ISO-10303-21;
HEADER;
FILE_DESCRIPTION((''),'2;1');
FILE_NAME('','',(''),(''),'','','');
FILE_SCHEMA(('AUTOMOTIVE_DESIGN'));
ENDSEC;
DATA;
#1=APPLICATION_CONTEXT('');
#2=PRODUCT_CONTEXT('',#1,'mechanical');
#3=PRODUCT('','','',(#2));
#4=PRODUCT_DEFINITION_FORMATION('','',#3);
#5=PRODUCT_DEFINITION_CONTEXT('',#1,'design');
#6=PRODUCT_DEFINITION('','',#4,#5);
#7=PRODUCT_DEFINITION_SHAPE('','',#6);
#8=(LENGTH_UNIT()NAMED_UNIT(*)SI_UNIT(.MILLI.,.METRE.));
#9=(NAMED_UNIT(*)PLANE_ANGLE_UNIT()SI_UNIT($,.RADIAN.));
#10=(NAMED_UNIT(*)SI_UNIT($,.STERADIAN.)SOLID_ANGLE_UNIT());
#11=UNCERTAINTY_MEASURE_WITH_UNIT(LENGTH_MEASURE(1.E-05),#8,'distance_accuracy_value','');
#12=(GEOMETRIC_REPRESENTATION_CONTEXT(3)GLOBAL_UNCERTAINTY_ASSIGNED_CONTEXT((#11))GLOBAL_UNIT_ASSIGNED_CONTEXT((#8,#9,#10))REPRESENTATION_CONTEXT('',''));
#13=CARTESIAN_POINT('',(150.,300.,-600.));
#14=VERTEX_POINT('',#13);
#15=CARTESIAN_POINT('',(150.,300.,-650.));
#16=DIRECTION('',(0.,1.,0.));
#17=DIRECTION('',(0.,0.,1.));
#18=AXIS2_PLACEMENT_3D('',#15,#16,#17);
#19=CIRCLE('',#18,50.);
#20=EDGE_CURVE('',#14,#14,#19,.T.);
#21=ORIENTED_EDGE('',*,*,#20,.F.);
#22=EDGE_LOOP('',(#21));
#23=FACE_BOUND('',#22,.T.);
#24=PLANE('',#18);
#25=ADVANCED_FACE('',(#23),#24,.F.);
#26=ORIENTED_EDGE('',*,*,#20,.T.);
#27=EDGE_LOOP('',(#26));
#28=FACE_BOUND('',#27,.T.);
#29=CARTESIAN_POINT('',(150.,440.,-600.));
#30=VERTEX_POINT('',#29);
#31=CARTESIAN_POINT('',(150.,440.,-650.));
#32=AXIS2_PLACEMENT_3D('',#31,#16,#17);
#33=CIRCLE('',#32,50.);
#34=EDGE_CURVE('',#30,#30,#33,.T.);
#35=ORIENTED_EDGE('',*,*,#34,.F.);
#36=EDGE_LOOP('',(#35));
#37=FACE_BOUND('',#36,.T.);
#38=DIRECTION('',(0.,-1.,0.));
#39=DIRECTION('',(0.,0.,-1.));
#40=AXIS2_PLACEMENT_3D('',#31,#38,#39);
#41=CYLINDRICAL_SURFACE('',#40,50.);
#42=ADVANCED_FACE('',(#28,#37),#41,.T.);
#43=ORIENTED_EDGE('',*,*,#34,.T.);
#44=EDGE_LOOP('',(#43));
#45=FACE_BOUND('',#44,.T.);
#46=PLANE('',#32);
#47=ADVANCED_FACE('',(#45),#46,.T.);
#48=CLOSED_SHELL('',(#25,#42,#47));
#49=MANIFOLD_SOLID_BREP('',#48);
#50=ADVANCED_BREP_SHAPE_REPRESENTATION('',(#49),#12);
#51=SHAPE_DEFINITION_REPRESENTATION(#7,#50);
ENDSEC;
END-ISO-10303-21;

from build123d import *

# Parameters (mm, degrees)
PACK_VAKUM_TANKI_1L_D100_START = 300
SKETCH1_R                      = 50
PACK_VAKUM_TANKI_1L_D100_DEPTH = 140


with BuildPart() as part:
    # Sketch1 → PACK_vakum_tanki_1L_D100 (new body)
    with BuildSketch(Plane(origin=(0, 0, 0), x_dir=(1, 0, 0), z_dir=(0, 1, 0)).offset(PACK_VAKUM_TANKI_1L_D100_START)):
        with Locations(Location((150, 650, 0), (0, 0, 270))):
            Circle(SKETCH1_R)
    extrude(amount=PACK_VAKUM_TANKI_1L_D100_DEPTH)


solid = part.part
